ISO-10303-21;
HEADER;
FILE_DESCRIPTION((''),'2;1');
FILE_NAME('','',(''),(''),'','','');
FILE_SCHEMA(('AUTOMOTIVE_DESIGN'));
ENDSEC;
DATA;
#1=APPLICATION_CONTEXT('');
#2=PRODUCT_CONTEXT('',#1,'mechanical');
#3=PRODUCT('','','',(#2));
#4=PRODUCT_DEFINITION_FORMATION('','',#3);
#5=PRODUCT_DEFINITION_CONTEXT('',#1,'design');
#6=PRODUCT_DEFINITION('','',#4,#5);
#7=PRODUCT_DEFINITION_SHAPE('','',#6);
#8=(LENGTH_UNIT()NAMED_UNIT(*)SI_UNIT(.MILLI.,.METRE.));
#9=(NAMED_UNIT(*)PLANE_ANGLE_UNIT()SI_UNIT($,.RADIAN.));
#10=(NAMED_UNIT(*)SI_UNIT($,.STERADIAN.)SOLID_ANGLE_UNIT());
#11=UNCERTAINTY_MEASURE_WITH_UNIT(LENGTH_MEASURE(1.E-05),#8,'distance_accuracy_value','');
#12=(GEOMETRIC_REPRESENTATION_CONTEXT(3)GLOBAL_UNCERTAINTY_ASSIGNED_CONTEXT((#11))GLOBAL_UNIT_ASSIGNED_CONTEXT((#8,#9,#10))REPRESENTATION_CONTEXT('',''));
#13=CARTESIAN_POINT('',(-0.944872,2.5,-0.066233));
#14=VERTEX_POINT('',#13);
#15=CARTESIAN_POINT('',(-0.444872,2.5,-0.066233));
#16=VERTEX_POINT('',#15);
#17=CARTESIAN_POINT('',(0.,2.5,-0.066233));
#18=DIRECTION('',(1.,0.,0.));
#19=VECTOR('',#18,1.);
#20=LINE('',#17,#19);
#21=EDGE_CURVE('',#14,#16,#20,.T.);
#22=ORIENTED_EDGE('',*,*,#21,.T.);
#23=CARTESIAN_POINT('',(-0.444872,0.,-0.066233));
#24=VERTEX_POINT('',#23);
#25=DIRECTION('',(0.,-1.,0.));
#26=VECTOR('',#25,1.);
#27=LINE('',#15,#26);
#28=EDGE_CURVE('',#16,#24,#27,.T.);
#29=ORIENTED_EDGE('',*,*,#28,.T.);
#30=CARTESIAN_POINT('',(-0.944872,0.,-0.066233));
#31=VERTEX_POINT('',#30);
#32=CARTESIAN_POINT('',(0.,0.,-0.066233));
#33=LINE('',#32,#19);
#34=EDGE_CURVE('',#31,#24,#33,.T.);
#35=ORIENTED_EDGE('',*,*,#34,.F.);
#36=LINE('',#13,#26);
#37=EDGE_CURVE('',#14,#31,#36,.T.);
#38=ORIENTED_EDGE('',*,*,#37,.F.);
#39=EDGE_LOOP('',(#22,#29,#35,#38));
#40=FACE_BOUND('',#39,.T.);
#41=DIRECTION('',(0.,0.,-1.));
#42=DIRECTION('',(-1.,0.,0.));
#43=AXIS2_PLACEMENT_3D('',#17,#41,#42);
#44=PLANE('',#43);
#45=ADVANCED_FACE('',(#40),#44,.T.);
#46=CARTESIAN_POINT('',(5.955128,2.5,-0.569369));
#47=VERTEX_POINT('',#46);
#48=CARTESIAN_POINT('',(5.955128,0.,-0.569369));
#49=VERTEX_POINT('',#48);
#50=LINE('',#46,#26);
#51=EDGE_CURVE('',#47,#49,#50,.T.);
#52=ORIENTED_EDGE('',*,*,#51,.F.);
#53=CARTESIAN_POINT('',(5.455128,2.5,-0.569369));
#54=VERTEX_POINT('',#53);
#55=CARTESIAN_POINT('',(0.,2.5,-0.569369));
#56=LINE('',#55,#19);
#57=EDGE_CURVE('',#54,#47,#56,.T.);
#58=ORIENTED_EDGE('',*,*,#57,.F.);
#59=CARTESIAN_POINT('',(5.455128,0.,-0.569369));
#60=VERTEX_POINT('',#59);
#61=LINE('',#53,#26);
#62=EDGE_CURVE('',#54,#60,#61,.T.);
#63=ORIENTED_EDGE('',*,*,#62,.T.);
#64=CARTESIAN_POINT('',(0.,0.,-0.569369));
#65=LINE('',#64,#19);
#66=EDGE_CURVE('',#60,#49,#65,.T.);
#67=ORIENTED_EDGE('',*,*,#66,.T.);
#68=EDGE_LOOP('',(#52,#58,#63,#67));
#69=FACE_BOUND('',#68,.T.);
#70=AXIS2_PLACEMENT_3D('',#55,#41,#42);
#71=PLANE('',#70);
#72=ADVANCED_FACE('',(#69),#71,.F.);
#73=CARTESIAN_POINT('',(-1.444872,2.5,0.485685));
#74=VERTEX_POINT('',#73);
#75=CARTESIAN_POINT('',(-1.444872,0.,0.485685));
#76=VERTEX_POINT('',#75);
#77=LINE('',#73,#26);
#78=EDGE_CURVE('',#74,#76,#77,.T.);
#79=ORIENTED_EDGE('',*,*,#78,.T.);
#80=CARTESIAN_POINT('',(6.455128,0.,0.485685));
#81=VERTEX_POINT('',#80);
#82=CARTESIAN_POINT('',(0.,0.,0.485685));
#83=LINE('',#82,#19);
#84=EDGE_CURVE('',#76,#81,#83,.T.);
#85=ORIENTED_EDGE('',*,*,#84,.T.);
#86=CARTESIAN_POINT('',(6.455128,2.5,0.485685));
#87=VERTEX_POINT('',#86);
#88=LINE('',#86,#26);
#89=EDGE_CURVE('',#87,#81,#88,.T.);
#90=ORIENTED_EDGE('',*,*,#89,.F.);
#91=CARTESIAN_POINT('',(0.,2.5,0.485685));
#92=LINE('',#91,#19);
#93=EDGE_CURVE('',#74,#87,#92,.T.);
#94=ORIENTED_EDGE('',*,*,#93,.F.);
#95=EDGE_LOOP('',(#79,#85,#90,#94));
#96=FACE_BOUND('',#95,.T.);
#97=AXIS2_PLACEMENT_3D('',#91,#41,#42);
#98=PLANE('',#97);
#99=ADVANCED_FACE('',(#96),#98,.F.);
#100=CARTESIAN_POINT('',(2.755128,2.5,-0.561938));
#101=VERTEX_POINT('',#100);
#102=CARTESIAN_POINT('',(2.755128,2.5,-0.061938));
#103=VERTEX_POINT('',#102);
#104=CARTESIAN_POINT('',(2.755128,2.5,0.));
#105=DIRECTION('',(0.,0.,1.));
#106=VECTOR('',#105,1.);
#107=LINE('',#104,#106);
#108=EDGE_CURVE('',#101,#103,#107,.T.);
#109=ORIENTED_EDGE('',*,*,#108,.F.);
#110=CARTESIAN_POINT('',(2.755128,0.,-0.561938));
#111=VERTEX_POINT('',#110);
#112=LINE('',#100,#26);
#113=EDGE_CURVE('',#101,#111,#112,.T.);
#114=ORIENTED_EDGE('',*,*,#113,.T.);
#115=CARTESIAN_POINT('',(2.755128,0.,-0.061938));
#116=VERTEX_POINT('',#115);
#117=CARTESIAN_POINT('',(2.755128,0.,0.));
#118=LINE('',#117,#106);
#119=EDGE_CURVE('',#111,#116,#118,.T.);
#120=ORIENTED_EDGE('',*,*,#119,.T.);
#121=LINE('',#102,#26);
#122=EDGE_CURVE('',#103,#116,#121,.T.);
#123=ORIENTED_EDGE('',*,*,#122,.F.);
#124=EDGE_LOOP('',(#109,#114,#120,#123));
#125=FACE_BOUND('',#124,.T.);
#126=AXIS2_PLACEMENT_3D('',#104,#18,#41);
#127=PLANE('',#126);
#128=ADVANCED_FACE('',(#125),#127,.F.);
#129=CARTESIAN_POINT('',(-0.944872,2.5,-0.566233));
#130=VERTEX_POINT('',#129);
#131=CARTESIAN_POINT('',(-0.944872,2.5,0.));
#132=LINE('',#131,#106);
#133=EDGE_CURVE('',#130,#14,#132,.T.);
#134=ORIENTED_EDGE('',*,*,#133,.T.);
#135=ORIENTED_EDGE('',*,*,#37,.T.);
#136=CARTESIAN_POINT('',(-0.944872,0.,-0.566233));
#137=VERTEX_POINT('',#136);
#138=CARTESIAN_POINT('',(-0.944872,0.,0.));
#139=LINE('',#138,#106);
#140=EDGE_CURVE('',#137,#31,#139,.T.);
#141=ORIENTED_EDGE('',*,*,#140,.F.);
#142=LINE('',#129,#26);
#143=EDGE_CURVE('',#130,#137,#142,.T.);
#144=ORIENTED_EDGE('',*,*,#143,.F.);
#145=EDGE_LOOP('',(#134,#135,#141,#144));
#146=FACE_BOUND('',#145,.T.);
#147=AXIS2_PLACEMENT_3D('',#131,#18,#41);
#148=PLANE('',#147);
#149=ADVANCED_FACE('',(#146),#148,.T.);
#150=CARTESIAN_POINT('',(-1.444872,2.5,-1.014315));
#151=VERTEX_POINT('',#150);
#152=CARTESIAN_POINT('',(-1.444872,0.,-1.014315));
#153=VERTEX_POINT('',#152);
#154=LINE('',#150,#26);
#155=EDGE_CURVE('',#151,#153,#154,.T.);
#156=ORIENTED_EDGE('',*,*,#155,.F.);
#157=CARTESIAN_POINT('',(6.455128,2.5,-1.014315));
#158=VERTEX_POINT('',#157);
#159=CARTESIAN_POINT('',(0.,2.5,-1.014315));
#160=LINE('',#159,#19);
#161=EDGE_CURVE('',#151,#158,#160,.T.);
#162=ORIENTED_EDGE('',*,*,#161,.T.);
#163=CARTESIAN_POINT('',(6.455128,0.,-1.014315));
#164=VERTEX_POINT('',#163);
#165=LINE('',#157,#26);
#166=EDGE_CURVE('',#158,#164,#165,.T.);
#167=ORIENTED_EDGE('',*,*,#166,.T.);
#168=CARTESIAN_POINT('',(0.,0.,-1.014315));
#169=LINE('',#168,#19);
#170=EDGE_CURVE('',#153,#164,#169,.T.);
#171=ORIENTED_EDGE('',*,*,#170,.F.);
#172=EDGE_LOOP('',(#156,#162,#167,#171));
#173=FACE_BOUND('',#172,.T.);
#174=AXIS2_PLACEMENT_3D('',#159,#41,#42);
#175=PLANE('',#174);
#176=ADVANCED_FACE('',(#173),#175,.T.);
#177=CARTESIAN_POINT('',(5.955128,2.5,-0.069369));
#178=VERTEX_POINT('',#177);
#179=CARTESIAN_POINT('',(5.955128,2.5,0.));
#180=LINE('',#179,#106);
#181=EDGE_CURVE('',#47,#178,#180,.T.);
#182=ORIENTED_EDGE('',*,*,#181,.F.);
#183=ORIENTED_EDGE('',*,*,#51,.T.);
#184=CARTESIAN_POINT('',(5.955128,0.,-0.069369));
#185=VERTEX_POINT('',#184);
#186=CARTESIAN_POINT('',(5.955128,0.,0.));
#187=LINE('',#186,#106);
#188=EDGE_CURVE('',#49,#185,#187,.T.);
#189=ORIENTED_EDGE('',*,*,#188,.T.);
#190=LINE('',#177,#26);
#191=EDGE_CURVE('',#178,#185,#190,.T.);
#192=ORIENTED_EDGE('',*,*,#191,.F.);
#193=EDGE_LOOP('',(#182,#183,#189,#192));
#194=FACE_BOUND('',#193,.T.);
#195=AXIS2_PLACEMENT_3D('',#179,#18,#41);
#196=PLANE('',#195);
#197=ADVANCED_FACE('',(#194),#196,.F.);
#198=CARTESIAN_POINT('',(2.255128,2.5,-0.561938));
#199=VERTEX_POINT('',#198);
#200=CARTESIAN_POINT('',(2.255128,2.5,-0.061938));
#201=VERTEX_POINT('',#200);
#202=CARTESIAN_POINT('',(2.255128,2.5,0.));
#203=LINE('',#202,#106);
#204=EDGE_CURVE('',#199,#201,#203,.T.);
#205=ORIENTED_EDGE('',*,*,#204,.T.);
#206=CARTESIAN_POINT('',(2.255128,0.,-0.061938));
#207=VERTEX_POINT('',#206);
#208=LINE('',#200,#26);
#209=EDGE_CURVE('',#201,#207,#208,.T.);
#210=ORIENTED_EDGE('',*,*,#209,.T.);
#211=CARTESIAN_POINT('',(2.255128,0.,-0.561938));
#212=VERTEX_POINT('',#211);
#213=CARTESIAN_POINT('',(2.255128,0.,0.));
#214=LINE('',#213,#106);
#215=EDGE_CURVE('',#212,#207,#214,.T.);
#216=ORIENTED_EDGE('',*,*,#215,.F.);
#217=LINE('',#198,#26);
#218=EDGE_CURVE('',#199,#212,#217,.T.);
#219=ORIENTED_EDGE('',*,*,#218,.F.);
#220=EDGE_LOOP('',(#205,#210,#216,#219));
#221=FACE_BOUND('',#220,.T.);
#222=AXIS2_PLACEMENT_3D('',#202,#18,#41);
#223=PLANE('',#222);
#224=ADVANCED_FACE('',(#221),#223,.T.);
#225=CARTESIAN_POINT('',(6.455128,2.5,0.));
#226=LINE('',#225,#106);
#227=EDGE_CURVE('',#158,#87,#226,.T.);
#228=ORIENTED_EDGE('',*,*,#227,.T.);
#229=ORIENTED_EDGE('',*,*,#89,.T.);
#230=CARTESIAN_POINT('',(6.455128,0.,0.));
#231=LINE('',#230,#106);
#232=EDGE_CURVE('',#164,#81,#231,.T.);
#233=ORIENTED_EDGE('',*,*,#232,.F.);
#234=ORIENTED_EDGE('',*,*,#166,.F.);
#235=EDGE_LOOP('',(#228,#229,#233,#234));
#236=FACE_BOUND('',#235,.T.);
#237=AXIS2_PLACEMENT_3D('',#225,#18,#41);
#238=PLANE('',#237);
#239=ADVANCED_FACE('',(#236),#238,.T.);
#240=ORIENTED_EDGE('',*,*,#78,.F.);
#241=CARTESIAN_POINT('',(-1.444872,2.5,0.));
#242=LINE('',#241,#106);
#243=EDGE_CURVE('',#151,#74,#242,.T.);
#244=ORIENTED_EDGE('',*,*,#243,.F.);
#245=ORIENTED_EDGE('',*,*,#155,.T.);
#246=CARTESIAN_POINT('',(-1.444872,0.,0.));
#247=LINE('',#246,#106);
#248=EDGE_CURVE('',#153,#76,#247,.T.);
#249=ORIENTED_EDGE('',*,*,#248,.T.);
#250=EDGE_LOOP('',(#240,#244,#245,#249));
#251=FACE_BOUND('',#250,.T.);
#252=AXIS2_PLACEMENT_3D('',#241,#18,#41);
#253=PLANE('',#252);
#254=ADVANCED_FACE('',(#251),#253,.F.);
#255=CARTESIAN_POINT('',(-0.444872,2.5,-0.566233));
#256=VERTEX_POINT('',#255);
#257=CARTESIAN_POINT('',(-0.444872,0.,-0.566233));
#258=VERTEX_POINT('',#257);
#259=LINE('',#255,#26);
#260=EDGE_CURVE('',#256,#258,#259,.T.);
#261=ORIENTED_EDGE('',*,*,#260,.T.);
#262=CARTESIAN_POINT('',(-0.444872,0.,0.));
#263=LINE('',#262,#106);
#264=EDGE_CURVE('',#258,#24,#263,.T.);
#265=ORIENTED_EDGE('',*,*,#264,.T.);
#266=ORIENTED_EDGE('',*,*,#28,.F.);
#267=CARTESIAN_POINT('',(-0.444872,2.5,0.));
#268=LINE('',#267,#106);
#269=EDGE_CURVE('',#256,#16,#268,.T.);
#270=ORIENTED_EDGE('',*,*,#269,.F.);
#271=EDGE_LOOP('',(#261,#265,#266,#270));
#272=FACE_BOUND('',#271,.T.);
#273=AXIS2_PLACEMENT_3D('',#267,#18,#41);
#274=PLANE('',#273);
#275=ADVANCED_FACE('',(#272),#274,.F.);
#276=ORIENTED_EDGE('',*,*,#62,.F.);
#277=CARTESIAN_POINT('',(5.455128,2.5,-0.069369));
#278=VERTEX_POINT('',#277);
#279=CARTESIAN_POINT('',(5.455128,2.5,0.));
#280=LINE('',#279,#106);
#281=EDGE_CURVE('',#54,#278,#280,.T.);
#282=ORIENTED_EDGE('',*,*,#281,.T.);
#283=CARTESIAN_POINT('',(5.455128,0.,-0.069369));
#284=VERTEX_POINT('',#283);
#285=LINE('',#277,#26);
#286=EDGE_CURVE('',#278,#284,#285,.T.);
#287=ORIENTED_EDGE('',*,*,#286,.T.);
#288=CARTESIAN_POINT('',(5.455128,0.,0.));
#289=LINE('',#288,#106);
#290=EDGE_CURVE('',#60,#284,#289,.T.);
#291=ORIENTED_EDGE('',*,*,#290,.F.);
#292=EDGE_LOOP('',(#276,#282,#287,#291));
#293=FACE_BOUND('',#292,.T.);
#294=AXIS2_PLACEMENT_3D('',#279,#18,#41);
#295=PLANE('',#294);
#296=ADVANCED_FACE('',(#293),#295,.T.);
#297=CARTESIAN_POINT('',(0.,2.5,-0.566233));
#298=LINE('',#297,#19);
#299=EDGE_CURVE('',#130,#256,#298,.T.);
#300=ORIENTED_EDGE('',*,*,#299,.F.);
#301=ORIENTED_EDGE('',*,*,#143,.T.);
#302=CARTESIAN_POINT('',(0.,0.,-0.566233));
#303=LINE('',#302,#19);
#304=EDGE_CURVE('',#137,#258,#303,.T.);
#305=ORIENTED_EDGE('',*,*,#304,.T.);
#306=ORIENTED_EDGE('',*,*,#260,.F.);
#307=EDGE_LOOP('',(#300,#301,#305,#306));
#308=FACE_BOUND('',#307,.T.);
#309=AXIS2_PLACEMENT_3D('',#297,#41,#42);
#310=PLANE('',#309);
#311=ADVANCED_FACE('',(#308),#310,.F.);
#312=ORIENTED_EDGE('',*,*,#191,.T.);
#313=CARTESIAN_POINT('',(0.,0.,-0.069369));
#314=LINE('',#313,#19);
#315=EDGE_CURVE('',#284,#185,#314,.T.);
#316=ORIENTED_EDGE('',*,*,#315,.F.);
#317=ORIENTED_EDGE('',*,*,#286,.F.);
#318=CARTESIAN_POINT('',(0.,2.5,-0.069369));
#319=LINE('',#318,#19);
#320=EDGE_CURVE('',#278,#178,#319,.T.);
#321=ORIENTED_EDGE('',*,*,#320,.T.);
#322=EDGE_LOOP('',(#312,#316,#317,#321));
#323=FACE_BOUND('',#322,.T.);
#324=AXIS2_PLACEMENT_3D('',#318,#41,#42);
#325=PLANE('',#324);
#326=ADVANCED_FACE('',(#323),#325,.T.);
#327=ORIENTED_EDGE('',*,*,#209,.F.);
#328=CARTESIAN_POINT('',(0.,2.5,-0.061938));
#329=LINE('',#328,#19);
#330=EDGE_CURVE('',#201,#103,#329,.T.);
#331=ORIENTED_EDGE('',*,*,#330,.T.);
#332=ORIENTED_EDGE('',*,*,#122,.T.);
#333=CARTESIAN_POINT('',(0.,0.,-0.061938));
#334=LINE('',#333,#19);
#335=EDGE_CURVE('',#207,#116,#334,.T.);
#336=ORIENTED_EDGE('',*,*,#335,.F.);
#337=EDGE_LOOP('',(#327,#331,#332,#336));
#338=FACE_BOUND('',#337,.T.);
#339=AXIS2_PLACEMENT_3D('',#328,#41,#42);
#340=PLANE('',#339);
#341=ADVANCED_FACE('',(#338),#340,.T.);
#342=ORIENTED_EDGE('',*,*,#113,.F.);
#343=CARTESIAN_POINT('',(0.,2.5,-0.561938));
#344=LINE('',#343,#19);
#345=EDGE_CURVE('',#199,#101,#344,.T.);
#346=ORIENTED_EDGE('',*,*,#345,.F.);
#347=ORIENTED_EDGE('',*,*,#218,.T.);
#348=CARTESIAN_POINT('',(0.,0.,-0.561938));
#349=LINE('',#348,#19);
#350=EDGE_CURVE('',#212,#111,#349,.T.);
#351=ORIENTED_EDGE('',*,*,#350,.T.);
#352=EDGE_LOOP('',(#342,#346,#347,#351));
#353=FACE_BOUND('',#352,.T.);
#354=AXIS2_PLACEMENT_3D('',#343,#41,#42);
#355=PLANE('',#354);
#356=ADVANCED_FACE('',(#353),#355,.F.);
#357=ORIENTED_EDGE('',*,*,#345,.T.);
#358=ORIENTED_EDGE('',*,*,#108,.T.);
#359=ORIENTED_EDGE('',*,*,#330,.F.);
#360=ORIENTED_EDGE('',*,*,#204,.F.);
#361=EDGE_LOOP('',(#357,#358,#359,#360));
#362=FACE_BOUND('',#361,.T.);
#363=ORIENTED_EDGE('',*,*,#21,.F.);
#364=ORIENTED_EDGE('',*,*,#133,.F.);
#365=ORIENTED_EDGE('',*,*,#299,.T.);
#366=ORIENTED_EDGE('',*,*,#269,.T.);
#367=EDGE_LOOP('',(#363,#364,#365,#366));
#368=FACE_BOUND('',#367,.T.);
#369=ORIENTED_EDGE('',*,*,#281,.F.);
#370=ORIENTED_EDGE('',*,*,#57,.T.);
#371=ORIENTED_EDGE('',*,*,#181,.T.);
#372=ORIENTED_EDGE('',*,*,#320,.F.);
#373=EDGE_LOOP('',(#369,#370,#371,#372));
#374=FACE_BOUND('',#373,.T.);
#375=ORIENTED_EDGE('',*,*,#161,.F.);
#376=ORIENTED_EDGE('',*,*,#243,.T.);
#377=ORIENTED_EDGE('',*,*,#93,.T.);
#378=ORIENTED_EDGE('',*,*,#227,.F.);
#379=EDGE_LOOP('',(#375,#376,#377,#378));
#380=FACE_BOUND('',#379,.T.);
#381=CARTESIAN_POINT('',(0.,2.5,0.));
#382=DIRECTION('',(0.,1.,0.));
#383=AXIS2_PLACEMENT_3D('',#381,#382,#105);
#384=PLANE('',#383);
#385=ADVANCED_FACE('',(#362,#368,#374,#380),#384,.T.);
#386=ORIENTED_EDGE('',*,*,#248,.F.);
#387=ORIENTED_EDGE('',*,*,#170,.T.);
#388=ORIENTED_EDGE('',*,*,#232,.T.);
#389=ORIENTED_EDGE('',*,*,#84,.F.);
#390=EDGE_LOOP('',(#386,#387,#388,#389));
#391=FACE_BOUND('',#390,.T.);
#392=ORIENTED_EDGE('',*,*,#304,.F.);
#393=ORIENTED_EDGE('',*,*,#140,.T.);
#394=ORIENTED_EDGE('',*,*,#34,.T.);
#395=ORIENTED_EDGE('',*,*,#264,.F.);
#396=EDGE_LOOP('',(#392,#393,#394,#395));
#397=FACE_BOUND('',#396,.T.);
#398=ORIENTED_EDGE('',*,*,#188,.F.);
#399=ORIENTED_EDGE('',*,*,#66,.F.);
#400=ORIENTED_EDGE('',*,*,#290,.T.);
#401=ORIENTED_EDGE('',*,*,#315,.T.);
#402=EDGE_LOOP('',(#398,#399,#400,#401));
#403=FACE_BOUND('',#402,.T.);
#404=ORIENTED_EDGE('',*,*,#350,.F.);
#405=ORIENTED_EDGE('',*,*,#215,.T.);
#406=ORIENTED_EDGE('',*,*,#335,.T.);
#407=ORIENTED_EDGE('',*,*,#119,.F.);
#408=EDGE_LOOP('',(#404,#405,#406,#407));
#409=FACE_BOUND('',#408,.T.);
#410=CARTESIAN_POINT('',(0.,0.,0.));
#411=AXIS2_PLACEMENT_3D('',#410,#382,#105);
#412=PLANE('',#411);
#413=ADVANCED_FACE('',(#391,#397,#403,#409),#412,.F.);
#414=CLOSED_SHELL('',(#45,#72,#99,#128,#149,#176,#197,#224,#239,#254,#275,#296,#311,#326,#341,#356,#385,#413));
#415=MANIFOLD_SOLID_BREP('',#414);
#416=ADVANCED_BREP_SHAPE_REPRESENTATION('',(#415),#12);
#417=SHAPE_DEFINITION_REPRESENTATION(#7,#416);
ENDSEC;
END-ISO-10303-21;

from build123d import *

# Parameters (mm, degrees)
SKETCH1_W           = 7.9
SKETCH1_H           = 1.5
SKETCH1_W_2         = 0.5
SKETCH1_H_2         = 0.5
BOSS_EXTRUDE1_DEPTH = 2.5


with BuildPart() as part:
    # Sketch1 → Boss-Extrude1 (new body)
    with BuildSketch(Plane(origin=(0, 0, 0), x_dir=(1, 0, 0), z_dir=(0, 1, 0))):
        with Locations((2.505127678, 0.264314746)):
            Rectangle(SKETCH1_W, SKETCH1_H)
        with Locations((-0.694872322, 0.316232633)):
            Rectangle(SKETCH1_W_2, SKETCH1_H_2, mode=Mode.SUBTRACT)
        with Locations((5.705127678, 0.319368521)):
            Rectangle(SKETCH1_W_2, SKETCH1_H_2, mode=Mode.SUBTRACT)
        with Locations((2.505127678, 0.311937798)):
            Rectangle(SKETCH1_W_2, SKETCH1_H_2, mode=Mode.SUBTRACT)
    extrude(amount=BOSS_EXTRUDE1_DEPTH)


solid = part.part
